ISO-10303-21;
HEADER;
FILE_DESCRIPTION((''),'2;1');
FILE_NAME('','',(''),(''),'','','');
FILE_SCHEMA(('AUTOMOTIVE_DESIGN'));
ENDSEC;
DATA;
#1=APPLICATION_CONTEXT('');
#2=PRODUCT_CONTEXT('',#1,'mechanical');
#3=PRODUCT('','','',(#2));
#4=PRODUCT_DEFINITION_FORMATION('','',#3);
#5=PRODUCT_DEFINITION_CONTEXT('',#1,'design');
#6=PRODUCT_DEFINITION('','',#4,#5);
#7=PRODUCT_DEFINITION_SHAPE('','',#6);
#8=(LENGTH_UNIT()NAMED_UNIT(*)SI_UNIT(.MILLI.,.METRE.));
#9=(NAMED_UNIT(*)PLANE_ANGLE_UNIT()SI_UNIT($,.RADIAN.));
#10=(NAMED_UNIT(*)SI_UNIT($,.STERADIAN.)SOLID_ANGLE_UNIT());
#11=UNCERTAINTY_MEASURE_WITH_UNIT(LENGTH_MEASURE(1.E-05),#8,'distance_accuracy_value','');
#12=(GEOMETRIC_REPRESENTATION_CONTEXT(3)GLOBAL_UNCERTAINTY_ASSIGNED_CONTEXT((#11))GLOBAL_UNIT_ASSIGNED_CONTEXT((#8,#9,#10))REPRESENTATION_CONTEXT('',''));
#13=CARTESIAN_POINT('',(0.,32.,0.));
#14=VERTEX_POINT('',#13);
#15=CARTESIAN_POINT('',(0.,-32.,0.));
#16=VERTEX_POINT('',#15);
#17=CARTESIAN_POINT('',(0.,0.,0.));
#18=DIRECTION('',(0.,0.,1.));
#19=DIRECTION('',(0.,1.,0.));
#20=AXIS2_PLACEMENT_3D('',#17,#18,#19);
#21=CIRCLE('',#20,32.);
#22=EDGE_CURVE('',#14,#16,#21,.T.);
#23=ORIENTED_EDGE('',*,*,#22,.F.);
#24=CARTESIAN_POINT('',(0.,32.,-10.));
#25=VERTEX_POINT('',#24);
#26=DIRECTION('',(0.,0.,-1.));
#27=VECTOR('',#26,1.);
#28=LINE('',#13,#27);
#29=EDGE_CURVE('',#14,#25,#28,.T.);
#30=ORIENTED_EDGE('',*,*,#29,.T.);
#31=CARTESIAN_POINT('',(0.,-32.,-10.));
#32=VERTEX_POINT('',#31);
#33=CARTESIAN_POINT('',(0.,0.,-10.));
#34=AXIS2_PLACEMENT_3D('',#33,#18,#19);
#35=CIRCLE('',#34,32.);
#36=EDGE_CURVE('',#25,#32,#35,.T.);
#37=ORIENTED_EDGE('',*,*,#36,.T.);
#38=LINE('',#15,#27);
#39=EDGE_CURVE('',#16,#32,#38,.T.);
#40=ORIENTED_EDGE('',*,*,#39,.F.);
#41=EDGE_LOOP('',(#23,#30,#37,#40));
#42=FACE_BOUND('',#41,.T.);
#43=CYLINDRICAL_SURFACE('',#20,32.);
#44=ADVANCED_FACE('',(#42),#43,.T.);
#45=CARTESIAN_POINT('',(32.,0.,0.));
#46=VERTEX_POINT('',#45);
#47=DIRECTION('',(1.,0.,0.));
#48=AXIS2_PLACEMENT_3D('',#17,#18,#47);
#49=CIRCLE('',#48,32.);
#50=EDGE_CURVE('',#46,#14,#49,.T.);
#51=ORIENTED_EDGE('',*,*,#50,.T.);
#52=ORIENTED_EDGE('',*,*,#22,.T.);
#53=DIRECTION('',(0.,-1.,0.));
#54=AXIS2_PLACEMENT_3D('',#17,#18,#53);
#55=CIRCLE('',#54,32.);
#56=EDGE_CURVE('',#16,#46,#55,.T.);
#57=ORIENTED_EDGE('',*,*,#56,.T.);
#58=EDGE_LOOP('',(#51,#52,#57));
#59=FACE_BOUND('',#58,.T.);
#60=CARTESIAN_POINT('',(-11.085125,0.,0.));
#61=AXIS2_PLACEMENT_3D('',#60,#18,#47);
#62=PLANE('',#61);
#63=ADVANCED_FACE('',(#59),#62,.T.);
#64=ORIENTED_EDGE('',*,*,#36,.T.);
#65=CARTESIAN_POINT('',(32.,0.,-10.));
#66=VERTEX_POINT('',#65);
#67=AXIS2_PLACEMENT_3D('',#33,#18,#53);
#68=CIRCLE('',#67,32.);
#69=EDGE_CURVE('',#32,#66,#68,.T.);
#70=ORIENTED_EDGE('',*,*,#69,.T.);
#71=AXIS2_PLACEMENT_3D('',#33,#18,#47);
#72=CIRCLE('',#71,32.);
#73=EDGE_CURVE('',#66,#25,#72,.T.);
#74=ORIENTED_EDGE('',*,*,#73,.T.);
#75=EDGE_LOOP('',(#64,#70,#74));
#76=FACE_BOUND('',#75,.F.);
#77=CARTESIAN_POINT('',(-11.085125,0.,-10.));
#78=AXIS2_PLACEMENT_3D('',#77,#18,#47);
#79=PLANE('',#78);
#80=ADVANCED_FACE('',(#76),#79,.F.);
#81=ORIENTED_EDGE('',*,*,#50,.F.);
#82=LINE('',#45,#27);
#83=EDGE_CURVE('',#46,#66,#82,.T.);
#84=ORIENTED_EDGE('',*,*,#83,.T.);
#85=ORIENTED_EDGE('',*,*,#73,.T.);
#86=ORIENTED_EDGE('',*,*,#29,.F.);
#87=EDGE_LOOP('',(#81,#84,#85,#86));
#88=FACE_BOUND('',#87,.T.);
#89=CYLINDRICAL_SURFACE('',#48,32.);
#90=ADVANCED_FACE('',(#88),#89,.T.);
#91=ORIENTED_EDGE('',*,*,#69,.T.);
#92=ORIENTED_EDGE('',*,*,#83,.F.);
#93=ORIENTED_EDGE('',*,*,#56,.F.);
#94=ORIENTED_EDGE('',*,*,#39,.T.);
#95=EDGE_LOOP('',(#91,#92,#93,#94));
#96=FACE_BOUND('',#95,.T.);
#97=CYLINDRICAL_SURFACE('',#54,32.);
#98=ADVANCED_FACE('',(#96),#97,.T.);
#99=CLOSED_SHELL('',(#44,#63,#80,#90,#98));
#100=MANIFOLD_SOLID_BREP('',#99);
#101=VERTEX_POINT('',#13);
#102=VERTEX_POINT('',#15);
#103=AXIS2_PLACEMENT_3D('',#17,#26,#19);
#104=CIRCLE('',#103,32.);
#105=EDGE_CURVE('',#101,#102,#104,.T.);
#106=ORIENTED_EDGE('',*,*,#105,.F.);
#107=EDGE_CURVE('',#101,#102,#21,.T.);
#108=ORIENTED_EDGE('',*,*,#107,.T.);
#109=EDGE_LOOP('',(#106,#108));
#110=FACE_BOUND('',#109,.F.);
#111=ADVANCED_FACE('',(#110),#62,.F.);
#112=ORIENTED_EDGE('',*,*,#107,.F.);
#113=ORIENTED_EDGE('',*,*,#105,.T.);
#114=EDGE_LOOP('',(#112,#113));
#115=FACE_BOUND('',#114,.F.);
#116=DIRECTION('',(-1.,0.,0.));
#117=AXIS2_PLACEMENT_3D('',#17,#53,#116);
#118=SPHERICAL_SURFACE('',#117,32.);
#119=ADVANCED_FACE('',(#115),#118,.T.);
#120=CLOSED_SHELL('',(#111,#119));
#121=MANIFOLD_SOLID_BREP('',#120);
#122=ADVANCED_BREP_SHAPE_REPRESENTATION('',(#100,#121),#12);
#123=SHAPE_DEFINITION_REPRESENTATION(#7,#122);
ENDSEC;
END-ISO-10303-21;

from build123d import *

# Parameters (mm, degrees)
F1_DEPTH = 10
F2_ANGLE = 180


with BuildPart() as f1:
    # F0 (on Top) → F1 (new body)
    with BuildSketch(Plane.XY):
        with BuildLine():
            Line((0, -32), (0, 32))
            ThreePointArc((0, 32), (-32, 0), (0, -32))
        make_face()
        with BuildLine():
            ThreePointArc((0, -32), (22.627416998, -22.627416998), (32, 0))
            ThreePointArc((32, 0), (22.627416998, 22.627416998), (0, 32))
            Line((0, 32), (0, -32))
        make_face()
    extrude(amount=-F1_DEPTH)


with BuildPart() as f2:
    # F0 (on Top) → F2 (revolve)
    with BuildSketch(Plane.XY):
        with BuildLine():
            Line((0, -32), (0, 32))
            ThreePointArc((0, 32), (-32, 0), (0, -32))
        make_face()
    revolve(axis=Axis((0, 0, 0), (0, 1, 0)), revolution_arc=F2_ANGLE)


solid = Compound([f1.part, f2.part])
